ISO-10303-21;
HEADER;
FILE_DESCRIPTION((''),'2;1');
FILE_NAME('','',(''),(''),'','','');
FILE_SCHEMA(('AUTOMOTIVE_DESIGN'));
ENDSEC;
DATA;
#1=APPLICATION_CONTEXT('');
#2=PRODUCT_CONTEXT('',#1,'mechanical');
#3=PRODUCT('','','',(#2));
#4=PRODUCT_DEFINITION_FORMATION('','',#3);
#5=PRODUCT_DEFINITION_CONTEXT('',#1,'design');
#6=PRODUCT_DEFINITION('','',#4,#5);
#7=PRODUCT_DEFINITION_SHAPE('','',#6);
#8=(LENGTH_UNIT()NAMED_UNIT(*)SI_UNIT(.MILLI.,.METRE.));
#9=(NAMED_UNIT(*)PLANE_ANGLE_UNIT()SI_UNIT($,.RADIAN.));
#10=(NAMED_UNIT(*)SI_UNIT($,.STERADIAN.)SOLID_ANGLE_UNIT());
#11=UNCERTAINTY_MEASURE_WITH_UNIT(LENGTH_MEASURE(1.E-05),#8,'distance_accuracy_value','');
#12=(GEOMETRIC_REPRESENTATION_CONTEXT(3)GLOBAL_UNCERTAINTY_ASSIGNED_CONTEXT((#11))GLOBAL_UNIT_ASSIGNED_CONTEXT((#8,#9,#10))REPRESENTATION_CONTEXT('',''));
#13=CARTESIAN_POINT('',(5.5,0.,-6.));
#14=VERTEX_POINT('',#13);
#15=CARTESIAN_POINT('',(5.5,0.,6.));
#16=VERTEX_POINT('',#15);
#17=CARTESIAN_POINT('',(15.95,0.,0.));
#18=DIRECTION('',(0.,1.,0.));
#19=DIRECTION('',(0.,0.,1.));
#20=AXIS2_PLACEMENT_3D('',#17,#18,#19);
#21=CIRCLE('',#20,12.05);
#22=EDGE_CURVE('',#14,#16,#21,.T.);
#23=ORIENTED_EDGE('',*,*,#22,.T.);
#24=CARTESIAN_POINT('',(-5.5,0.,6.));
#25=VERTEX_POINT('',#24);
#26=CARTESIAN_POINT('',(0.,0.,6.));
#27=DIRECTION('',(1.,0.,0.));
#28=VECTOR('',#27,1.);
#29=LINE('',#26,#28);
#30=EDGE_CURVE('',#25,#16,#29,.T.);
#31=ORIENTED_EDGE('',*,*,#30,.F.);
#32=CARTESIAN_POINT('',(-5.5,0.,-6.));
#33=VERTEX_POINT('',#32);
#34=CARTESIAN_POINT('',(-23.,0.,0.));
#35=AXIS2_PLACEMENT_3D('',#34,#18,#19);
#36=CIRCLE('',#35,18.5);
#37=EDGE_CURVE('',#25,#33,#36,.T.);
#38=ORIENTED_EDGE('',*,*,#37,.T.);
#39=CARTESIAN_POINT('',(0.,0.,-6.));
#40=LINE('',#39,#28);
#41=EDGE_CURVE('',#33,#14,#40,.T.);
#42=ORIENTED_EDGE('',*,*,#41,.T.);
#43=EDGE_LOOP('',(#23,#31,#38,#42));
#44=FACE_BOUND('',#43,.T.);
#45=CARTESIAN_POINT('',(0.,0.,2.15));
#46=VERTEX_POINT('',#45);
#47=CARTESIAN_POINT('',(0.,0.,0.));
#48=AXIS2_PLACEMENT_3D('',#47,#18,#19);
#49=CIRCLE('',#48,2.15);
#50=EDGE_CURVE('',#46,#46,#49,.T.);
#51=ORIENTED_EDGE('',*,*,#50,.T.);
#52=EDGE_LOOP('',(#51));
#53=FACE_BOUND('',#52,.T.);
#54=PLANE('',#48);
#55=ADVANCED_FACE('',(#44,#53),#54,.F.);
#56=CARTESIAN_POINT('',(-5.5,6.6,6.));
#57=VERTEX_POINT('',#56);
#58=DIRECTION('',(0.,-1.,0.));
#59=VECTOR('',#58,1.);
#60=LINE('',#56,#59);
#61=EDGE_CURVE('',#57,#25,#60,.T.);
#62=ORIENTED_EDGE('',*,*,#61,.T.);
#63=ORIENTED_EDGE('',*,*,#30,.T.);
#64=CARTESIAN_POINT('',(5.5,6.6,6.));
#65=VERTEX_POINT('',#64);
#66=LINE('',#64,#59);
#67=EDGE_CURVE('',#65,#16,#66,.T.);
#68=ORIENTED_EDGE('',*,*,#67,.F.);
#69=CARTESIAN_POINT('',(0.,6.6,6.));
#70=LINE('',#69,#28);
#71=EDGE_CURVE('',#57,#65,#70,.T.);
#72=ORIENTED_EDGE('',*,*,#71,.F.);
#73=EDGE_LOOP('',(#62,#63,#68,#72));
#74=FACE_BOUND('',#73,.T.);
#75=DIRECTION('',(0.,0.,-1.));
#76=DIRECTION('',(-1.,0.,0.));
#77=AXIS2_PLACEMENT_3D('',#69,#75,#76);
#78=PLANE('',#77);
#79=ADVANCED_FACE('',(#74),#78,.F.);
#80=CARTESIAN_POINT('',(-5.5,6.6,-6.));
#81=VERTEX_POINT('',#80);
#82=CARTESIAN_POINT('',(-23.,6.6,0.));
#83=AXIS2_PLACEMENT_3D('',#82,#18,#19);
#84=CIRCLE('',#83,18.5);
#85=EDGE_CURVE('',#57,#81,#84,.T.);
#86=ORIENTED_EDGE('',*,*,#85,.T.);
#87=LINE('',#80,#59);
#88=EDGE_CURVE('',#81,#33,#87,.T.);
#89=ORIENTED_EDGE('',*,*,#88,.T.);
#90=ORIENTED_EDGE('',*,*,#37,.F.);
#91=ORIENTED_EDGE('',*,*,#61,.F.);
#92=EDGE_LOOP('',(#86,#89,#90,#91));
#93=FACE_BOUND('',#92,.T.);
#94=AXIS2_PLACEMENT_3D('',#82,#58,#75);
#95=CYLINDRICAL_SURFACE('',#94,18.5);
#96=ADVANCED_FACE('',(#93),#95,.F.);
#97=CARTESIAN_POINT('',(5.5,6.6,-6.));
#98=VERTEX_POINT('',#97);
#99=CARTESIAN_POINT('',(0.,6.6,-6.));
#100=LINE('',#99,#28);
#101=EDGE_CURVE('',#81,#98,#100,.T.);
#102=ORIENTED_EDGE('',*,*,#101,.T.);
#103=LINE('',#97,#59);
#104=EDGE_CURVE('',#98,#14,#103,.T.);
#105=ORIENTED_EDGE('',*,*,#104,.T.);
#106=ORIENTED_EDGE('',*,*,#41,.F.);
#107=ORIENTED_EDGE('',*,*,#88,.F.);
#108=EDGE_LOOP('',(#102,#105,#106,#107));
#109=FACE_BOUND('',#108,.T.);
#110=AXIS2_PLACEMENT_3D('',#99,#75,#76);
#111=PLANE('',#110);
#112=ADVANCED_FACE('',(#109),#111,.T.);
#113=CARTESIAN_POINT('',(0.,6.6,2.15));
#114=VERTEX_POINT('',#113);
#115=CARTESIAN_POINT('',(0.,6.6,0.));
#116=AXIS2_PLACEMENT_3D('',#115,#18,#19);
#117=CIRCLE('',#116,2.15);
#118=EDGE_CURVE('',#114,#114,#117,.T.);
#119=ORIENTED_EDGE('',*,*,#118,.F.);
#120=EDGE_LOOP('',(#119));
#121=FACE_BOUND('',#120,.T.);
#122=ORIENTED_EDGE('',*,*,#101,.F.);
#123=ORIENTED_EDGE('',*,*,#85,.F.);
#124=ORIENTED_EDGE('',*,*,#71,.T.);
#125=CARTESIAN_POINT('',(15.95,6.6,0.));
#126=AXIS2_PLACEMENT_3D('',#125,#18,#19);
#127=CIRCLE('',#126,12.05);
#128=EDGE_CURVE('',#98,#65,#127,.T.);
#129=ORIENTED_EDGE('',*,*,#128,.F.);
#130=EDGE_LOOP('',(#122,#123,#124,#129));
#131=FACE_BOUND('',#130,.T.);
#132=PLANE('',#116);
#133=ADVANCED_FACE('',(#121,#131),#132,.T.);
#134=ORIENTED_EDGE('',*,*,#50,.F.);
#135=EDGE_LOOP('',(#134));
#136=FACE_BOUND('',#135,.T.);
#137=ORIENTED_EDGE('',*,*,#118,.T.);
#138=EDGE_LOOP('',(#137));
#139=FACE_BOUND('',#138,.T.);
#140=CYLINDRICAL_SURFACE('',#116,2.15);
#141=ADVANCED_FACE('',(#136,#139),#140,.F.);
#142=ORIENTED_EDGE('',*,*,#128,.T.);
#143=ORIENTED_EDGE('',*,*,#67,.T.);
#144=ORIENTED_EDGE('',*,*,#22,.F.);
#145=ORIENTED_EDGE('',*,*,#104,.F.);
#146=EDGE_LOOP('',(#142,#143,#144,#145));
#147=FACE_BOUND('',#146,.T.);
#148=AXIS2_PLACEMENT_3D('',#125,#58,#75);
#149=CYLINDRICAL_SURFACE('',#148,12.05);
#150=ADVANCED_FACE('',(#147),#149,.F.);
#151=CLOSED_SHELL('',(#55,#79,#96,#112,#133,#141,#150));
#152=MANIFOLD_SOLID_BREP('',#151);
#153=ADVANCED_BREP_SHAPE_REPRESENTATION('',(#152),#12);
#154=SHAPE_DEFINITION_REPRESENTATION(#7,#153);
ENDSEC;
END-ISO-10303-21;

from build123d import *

# Parameters (mm, degrees)
BOSS_EXTRUDE2_DEPTH  = 6.6
M4_CLEARANCE_HOLE2_D = 4.3


with BuildPart() as part:
    # Sketch1 → Boss-Extrude2 (new body)
    with BuildSketch(Plane(origin=(0, 0, 0), x_dir=(1, 0, 0), z_dir=(0, 1, 0))):
        with BuildLine():
            Line((5.5, 6), (-5.5, 6))
            ThreePointArc((-5.5, 6), (-4.751712409, 3.041381265), (-4.5, 0))
            ThreePointArc((-4.5, 0), (-4.751712409, -3.041381265), (-5.5, -6))
            Line((-5.5, -6), (5.5, -6))
            ThreePointArc((5.5, -6), (3.9, 0), (5.5, 6))
        make_face()
    extrude(amount=BOSS_EXTRUDE2_DEPTH)

    # M4 Clearance Hole2 (through all)
    with Locations(Plane(origin=(0, 6.6, 0), x_dir=(1, 0, 0), z_dir=(0, 1, 0))):
        with Locations((0, 0)):
            Hole(M4_CLEARANCE_HOLE2_D / 2)


solid = part.part
